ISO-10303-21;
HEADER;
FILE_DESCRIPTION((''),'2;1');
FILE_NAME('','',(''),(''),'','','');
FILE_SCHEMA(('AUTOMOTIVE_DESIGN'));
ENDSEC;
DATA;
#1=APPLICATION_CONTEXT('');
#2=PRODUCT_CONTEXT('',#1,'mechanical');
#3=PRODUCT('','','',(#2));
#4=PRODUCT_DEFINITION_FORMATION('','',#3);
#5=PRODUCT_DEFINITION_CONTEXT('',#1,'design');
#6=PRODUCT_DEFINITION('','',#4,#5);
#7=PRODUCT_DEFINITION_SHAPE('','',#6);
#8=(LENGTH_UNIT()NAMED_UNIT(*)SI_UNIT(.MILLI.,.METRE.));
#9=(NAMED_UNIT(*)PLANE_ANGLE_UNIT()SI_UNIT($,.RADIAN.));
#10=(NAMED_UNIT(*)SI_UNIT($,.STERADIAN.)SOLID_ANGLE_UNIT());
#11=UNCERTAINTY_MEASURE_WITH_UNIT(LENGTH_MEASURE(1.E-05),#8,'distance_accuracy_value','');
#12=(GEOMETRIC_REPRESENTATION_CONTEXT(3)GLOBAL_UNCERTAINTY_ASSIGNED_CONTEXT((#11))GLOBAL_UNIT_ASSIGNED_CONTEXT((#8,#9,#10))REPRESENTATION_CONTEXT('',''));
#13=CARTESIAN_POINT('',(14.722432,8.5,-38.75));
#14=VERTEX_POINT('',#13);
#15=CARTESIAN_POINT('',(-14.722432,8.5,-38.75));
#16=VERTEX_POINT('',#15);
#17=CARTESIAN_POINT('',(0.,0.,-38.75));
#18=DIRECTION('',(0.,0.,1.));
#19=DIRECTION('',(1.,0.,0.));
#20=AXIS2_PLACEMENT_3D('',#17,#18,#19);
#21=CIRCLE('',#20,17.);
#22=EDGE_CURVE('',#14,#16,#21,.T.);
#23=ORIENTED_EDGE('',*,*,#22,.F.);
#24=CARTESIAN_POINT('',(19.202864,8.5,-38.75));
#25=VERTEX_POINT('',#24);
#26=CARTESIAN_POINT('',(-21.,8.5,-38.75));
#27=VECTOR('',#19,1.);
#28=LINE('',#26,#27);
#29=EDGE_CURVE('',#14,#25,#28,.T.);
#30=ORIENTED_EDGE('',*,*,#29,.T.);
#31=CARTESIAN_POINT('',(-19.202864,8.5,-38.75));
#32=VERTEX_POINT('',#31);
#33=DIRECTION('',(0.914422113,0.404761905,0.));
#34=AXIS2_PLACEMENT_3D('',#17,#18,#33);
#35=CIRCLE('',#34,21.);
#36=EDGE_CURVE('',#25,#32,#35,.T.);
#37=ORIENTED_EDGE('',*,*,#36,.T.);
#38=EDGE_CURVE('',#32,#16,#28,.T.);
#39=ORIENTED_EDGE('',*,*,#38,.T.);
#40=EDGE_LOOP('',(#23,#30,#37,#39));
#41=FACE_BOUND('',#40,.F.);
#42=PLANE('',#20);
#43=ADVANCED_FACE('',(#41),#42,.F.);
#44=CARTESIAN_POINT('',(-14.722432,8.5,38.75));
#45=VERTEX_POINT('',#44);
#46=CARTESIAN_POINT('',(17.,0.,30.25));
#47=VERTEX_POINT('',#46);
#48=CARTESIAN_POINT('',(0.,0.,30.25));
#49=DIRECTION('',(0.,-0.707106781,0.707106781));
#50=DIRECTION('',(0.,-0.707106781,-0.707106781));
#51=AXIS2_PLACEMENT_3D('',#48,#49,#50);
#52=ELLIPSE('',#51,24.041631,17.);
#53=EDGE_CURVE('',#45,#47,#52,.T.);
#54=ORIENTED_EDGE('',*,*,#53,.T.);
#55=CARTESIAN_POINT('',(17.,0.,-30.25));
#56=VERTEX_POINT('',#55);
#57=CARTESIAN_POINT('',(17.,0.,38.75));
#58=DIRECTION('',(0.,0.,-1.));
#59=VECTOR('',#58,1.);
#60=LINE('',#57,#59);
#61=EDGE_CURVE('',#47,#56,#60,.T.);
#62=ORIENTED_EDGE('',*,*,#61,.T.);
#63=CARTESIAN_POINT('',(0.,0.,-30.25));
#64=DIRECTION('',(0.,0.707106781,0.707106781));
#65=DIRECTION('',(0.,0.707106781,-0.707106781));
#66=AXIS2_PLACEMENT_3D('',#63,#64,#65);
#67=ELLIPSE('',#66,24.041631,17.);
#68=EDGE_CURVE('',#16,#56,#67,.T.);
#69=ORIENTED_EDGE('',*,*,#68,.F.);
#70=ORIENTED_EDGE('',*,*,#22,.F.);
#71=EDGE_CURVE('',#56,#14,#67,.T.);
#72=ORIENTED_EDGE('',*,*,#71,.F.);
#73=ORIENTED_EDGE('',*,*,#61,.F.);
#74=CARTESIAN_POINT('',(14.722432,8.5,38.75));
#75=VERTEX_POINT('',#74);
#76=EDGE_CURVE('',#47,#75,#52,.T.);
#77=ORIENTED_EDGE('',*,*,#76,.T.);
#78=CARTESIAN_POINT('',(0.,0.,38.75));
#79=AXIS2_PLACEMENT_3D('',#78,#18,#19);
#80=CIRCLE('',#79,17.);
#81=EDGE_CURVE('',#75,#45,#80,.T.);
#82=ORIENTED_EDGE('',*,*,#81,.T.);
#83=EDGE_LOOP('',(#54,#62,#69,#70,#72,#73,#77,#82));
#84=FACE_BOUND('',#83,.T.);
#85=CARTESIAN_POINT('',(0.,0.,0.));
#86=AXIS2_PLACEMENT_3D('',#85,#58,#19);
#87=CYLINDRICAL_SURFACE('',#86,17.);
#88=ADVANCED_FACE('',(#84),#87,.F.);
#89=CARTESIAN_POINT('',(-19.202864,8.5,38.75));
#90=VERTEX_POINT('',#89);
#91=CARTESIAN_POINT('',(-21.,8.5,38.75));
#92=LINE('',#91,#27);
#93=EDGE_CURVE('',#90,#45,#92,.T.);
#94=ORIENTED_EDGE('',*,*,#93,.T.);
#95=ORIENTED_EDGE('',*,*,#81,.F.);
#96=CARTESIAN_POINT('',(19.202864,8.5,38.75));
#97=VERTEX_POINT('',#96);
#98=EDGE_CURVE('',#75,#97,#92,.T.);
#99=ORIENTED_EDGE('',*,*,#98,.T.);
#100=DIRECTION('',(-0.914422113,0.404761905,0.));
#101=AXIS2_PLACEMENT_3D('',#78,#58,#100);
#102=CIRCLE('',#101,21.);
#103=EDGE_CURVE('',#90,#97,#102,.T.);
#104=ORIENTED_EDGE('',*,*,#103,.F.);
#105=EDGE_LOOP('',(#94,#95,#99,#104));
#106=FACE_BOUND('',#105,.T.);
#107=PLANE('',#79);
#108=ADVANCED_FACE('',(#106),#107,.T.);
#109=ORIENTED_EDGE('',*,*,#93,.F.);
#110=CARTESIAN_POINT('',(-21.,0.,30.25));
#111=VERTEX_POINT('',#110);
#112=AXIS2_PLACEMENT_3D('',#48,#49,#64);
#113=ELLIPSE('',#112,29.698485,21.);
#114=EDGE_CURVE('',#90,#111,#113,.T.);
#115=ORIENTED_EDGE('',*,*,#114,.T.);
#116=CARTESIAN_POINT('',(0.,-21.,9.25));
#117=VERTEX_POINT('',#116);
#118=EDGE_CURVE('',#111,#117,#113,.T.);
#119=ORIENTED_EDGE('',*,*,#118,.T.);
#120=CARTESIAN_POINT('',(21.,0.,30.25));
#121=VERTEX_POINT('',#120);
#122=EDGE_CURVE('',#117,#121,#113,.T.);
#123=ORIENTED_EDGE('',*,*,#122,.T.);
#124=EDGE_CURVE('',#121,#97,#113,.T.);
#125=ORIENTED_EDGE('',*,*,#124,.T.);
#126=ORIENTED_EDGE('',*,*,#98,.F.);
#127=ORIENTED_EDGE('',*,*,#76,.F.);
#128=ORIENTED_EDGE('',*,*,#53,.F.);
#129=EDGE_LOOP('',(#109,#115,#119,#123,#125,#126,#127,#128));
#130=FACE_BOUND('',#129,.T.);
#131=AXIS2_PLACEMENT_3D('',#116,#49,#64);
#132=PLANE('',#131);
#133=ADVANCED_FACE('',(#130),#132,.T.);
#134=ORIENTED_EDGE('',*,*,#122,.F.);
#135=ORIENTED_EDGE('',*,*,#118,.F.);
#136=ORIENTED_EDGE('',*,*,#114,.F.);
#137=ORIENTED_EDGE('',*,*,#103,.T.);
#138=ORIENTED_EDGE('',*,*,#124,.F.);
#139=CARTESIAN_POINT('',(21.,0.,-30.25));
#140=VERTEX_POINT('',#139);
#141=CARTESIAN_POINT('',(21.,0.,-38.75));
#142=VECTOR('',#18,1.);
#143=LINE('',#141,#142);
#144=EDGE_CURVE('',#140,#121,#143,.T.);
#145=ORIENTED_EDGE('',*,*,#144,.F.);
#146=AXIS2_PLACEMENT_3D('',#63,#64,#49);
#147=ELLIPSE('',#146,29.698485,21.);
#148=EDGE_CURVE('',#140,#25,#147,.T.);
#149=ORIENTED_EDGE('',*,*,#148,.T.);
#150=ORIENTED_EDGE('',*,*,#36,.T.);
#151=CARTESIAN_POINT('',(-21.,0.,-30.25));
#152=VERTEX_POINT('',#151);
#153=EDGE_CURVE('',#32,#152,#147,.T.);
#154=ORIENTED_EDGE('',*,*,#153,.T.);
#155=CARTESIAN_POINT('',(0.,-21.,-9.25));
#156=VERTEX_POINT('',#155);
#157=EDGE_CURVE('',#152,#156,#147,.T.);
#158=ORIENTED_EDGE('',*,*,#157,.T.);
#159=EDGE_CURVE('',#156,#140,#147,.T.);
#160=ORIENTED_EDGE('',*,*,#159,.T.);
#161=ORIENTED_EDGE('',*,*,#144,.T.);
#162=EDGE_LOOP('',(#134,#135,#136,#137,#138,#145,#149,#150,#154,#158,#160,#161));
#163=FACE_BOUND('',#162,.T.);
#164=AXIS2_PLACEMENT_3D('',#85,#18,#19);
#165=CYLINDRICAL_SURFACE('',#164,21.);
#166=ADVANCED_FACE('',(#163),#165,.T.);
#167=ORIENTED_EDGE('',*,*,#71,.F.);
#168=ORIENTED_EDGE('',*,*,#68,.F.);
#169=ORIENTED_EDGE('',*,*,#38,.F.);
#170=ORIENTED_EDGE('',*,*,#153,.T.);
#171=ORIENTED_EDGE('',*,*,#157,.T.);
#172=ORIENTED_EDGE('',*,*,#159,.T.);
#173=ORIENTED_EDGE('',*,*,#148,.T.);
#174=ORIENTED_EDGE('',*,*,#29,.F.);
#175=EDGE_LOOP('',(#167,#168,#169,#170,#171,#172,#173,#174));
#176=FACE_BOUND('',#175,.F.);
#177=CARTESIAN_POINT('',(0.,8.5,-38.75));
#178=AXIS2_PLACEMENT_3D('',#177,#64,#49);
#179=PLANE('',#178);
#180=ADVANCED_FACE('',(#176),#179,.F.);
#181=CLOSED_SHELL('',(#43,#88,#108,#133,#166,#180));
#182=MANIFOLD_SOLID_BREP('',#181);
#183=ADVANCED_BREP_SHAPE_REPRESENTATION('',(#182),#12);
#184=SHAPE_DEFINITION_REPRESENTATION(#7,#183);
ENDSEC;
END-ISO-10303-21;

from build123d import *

# Parameters (mm, degrees)
F0_R     = 21
F0_R_2   = 17
F1_DEPTH = 38.75
F3_DEPTH = 21


with BuildPart() as f1:
    # F0 (on Top) → F1 (new body, symmetric)
    with BuildSketch(Plane.XY):
        Circle(F0_R)
        Circle(F0_R_2, mode=Mode.SUBTRACT)
    extrude(amount=F1_DEPTH, both=True)

    # F2 (on Right) → F3 (cut, symmetric)
    with BuildSketch(Plane.YZ):
        Polygon((-21, 9.25), (8.5, 38.75), (21, 38.75), (21, 48.75), (-21, 48.75), align=None)
        Polygon((21, -38.75), (8.5, -38.75), (-21, -9.25), (-21, -48.75), (21, -48.75), align=None)
    extrude(amount=F3_DEPTH, both=True, mode=Mode.SUBTRACT)


solid = f1.part
